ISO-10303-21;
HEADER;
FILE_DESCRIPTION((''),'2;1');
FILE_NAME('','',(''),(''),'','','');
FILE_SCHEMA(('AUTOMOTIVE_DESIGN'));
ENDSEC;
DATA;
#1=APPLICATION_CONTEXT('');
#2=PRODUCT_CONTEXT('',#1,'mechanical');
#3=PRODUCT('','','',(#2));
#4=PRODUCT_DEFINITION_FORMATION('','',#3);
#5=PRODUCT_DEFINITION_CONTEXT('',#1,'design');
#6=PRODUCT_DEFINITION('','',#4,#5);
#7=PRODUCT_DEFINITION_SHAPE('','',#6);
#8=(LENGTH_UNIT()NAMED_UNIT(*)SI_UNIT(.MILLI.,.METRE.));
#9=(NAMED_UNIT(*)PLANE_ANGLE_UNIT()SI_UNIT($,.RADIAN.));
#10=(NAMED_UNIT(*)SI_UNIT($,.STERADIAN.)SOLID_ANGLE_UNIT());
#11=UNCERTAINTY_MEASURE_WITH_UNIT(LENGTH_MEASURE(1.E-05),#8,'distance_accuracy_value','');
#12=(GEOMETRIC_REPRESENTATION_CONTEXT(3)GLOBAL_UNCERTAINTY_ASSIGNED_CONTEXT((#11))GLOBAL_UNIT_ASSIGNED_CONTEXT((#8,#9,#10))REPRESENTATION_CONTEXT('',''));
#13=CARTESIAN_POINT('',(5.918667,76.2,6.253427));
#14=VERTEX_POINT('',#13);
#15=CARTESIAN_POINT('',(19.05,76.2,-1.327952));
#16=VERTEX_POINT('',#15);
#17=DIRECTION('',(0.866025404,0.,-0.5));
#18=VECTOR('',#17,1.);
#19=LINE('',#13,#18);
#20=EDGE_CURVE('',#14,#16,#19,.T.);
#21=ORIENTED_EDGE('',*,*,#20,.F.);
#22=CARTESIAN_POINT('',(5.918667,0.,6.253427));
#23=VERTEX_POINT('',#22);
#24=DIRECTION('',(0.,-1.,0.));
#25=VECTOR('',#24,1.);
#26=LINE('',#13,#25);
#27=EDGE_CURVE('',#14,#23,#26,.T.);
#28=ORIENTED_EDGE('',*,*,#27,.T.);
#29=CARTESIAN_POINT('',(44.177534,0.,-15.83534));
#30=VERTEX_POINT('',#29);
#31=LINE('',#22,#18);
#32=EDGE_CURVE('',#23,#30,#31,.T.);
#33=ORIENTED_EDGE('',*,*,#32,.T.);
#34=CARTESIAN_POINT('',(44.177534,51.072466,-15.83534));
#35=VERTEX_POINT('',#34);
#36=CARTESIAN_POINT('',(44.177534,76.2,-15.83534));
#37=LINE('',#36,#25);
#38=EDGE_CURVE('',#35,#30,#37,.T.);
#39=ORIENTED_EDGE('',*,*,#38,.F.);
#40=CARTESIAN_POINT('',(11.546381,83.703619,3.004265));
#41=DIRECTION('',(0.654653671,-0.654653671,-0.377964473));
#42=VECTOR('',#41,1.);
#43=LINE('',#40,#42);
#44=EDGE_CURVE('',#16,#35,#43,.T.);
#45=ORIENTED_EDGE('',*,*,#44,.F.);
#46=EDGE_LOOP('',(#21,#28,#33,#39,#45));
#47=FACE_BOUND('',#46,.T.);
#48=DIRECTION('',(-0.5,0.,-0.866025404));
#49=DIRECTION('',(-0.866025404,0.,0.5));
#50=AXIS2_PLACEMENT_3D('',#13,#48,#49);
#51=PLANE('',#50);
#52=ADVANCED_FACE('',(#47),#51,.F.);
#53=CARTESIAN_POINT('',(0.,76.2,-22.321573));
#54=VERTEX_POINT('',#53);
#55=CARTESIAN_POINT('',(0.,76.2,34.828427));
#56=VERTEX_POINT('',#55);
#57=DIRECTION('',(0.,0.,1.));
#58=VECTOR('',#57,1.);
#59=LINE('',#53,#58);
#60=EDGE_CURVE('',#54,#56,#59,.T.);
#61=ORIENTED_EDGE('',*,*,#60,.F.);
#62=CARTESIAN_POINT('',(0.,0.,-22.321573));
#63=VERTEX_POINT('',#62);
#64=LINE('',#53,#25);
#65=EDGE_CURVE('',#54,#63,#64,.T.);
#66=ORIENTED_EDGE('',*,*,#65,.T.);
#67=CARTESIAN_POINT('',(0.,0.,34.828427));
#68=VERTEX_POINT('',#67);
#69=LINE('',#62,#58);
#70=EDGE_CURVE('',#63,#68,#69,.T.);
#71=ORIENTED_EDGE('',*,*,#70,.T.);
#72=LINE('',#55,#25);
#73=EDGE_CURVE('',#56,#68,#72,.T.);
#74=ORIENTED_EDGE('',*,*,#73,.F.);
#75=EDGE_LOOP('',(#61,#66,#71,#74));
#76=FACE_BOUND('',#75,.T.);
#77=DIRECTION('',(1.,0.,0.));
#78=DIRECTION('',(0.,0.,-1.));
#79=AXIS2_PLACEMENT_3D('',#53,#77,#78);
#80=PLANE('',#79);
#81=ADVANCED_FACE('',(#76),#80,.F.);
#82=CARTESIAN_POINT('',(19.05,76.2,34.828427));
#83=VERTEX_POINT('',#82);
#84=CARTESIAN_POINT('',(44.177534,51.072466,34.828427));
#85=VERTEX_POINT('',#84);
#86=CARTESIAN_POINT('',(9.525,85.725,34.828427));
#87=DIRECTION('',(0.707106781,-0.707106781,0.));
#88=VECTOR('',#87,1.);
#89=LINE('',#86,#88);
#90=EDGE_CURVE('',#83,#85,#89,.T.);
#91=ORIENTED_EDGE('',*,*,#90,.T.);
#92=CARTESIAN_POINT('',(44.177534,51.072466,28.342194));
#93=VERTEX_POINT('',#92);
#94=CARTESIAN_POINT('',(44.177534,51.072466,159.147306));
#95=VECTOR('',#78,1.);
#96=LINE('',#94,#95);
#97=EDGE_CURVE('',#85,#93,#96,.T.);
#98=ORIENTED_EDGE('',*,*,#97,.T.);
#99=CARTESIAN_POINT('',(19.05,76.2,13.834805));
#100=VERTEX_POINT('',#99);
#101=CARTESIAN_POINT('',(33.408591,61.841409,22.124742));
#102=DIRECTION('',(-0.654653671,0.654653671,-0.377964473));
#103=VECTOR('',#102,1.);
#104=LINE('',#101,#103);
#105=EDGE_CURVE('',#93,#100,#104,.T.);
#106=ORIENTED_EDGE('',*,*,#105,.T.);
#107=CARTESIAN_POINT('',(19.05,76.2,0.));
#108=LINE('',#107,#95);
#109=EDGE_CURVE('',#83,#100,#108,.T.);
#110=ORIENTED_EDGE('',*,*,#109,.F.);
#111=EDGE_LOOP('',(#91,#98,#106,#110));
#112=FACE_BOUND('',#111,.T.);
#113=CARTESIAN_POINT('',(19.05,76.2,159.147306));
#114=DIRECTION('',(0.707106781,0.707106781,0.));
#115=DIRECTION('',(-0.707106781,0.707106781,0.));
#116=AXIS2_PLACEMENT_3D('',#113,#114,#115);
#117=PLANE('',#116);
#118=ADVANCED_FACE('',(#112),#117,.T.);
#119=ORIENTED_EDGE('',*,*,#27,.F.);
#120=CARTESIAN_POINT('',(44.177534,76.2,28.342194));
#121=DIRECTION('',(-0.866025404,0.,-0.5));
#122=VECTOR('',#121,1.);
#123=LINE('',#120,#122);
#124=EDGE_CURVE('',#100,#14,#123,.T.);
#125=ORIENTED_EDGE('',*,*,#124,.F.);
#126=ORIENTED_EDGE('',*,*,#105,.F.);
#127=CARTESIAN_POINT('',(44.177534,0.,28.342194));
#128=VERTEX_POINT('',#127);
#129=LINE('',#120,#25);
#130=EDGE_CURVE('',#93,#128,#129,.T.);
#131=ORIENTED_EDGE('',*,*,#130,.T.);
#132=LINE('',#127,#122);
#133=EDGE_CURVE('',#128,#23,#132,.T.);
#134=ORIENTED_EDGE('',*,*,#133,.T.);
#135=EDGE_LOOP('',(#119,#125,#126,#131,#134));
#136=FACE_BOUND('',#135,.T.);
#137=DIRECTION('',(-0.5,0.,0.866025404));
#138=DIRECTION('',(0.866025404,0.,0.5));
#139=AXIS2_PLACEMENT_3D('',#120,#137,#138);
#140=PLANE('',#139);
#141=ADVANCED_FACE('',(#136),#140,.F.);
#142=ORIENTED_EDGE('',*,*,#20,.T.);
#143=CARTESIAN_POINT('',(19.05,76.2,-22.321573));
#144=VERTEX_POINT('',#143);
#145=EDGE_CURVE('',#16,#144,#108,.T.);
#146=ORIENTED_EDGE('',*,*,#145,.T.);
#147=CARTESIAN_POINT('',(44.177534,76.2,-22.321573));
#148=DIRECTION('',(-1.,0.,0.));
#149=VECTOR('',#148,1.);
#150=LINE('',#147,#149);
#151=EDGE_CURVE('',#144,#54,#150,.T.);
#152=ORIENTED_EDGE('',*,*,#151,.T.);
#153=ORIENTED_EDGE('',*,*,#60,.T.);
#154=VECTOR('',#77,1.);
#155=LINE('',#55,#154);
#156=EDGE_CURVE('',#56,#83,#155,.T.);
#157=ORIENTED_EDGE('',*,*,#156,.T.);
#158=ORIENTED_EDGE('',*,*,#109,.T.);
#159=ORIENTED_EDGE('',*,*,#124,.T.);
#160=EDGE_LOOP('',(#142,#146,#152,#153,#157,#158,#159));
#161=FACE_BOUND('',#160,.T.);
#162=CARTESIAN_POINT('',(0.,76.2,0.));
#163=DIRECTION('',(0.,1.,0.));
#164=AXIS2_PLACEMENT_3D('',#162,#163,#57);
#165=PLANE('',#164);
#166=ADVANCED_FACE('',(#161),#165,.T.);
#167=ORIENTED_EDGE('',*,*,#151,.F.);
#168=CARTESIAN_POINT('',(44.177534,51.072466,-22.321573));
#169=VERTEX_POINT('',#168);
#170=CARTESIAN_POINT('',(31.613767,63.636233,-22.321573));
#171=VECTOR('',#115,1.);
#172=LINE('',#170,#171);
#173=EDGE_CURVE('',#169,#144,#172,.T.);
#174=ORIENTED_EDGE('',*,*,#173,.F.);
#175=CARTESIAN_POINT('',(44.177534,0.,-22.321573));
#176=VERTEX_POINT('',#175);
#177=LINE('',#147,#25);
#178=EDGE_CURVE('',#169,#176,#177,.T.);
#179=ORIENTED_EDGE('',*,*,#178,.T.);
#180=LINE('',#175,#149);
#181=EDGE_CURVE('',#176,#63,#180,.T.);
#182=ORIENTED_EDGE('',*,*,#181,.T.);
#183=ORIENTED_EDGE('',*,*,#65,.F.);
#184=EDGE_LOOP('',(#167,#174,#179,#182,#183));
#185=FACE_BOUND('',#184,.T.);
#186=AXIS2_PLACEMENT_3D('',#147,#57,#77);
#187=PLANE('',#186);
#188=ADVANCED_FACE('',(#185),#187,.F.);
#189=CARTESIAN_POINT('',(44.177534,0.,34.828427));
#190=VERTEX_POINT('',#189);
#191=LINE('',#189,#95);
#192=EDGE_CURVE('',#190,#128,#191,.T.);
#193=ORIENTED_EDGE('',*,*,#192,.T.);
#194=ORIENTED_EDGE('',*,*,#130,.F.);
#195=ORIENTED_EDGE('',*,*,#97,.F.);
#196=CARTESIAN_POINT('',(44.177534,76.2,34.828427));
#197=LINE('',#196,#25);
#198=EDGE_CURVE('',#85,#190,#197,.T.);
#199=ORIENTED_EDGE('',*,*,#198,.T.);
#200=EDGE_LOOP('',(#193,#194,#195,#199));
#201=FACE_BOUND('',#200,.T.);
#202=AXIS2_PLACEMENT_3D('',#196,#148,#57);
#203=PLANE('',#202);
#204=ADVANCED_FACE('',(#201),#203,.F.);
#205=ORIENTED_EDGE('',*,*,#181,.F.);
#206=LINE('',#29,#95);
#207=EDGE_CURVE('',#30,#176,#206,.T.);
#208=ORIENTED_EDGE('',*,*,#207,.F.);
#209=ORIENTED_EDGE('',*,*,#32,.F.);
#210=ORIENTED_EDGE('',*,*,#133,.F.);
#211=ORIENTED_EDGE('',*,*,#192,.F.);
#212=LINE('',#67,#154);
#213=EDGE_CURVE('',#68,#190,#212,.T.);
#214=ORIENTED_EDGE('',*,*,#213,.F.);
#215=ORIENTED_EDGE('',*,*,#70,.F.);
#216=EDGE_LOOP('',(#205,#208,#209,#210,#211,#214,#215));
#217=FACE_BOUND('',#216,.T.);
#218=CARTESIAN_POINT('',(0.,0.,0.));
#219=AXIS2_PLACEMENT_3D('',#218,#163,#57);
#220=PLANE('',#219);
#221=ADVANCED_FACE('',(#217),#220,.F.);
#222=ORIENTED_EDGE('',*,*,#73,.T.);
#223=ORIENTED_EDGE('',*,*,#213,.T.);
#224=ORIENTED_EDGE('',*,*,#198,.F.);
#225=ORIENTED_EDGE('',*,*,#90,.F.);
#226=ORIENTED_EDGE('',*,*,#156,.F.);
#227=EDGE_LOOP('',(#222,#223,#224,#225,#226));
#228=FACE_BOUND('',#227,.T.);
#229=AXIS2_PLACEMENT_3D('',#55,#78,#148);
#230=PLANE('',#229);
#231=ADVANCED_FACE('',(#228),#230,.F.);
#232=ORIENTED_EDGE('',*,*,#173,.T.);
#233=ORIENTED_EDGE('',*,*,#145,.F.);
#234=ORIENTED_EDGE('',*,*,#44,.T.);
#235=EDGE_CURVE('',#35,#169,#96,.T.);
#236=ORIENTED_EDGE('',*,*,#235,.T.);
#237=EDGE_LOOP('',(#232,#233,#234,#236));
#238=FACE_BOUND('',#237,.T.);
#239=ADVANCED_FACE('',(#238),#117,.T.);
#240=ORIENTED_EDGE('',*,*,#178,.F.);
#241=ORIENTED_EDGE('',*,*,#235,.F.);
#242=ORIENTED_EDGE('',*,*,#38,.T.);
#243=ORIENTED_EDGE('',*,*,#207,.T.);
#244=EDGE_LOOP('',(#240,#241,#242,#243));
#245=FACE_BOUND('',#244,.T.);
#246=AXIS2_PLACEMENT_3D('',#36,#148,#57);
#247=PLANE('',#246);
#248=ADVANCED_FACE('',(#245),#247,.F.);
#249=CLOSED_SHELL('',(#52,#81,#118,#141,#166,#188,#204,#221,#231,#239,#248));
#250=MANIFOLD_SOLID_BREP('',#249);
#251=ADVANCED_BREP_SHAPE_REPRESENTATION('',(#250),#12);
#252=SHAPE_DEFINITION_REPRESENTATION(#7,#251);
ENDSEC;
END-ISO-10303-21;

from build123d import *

# Parameters (mm, degrees)
BOSS_EXTRUDE1_DEPTH     = 76.2
CUT_EXTRUDE1_DEPTH      = 95.715964076
CUT_EXTRUDE1_DEPTH_BACK = 95.715964076


with BuildPart() as part:
    # Sketch1 → Boss-Extrude1 (new body)
    with BuildSketch(Plane(origin=(0, 0, 0), x_dir=(1, 0, 0), z_dir=(0, 1, 0))):
        Polygon((44.177534378, 22.321573291), (0, 22.321573291), (0, -34.828426709), (44.177534378, -34.828426709), (44.177534378, -28.342193898), (5.91866733, -6.253426709), (44.177534378, 15.83534048), align=None)
    extrude(amount=BOSS_EXTRUDE1_DEPTH)

    # Sketch3 → Cut-Extrude1 (cut, two sides: drawn at the far end of the back side and taken through both)
    with BuildSketch(Plane.XY.offset(-CUT_EXTRUDE1_DEPTH_BACK)):
        Polygon((-101.492059558, 196.742059558), (19.05, 76.2), (44.177534378, 51.072465622), (164.719593936, -69.469593936), (405.803713052, 171.61452518), (139.592059558, 437.826178674), align=None)
    extrude(amount=CUT_EXTRUDE1_DEPTH + CUT_EXTRUDE1_DEPTH_BACK, mode=Mode.SUBTRACT)


solid = part.part
